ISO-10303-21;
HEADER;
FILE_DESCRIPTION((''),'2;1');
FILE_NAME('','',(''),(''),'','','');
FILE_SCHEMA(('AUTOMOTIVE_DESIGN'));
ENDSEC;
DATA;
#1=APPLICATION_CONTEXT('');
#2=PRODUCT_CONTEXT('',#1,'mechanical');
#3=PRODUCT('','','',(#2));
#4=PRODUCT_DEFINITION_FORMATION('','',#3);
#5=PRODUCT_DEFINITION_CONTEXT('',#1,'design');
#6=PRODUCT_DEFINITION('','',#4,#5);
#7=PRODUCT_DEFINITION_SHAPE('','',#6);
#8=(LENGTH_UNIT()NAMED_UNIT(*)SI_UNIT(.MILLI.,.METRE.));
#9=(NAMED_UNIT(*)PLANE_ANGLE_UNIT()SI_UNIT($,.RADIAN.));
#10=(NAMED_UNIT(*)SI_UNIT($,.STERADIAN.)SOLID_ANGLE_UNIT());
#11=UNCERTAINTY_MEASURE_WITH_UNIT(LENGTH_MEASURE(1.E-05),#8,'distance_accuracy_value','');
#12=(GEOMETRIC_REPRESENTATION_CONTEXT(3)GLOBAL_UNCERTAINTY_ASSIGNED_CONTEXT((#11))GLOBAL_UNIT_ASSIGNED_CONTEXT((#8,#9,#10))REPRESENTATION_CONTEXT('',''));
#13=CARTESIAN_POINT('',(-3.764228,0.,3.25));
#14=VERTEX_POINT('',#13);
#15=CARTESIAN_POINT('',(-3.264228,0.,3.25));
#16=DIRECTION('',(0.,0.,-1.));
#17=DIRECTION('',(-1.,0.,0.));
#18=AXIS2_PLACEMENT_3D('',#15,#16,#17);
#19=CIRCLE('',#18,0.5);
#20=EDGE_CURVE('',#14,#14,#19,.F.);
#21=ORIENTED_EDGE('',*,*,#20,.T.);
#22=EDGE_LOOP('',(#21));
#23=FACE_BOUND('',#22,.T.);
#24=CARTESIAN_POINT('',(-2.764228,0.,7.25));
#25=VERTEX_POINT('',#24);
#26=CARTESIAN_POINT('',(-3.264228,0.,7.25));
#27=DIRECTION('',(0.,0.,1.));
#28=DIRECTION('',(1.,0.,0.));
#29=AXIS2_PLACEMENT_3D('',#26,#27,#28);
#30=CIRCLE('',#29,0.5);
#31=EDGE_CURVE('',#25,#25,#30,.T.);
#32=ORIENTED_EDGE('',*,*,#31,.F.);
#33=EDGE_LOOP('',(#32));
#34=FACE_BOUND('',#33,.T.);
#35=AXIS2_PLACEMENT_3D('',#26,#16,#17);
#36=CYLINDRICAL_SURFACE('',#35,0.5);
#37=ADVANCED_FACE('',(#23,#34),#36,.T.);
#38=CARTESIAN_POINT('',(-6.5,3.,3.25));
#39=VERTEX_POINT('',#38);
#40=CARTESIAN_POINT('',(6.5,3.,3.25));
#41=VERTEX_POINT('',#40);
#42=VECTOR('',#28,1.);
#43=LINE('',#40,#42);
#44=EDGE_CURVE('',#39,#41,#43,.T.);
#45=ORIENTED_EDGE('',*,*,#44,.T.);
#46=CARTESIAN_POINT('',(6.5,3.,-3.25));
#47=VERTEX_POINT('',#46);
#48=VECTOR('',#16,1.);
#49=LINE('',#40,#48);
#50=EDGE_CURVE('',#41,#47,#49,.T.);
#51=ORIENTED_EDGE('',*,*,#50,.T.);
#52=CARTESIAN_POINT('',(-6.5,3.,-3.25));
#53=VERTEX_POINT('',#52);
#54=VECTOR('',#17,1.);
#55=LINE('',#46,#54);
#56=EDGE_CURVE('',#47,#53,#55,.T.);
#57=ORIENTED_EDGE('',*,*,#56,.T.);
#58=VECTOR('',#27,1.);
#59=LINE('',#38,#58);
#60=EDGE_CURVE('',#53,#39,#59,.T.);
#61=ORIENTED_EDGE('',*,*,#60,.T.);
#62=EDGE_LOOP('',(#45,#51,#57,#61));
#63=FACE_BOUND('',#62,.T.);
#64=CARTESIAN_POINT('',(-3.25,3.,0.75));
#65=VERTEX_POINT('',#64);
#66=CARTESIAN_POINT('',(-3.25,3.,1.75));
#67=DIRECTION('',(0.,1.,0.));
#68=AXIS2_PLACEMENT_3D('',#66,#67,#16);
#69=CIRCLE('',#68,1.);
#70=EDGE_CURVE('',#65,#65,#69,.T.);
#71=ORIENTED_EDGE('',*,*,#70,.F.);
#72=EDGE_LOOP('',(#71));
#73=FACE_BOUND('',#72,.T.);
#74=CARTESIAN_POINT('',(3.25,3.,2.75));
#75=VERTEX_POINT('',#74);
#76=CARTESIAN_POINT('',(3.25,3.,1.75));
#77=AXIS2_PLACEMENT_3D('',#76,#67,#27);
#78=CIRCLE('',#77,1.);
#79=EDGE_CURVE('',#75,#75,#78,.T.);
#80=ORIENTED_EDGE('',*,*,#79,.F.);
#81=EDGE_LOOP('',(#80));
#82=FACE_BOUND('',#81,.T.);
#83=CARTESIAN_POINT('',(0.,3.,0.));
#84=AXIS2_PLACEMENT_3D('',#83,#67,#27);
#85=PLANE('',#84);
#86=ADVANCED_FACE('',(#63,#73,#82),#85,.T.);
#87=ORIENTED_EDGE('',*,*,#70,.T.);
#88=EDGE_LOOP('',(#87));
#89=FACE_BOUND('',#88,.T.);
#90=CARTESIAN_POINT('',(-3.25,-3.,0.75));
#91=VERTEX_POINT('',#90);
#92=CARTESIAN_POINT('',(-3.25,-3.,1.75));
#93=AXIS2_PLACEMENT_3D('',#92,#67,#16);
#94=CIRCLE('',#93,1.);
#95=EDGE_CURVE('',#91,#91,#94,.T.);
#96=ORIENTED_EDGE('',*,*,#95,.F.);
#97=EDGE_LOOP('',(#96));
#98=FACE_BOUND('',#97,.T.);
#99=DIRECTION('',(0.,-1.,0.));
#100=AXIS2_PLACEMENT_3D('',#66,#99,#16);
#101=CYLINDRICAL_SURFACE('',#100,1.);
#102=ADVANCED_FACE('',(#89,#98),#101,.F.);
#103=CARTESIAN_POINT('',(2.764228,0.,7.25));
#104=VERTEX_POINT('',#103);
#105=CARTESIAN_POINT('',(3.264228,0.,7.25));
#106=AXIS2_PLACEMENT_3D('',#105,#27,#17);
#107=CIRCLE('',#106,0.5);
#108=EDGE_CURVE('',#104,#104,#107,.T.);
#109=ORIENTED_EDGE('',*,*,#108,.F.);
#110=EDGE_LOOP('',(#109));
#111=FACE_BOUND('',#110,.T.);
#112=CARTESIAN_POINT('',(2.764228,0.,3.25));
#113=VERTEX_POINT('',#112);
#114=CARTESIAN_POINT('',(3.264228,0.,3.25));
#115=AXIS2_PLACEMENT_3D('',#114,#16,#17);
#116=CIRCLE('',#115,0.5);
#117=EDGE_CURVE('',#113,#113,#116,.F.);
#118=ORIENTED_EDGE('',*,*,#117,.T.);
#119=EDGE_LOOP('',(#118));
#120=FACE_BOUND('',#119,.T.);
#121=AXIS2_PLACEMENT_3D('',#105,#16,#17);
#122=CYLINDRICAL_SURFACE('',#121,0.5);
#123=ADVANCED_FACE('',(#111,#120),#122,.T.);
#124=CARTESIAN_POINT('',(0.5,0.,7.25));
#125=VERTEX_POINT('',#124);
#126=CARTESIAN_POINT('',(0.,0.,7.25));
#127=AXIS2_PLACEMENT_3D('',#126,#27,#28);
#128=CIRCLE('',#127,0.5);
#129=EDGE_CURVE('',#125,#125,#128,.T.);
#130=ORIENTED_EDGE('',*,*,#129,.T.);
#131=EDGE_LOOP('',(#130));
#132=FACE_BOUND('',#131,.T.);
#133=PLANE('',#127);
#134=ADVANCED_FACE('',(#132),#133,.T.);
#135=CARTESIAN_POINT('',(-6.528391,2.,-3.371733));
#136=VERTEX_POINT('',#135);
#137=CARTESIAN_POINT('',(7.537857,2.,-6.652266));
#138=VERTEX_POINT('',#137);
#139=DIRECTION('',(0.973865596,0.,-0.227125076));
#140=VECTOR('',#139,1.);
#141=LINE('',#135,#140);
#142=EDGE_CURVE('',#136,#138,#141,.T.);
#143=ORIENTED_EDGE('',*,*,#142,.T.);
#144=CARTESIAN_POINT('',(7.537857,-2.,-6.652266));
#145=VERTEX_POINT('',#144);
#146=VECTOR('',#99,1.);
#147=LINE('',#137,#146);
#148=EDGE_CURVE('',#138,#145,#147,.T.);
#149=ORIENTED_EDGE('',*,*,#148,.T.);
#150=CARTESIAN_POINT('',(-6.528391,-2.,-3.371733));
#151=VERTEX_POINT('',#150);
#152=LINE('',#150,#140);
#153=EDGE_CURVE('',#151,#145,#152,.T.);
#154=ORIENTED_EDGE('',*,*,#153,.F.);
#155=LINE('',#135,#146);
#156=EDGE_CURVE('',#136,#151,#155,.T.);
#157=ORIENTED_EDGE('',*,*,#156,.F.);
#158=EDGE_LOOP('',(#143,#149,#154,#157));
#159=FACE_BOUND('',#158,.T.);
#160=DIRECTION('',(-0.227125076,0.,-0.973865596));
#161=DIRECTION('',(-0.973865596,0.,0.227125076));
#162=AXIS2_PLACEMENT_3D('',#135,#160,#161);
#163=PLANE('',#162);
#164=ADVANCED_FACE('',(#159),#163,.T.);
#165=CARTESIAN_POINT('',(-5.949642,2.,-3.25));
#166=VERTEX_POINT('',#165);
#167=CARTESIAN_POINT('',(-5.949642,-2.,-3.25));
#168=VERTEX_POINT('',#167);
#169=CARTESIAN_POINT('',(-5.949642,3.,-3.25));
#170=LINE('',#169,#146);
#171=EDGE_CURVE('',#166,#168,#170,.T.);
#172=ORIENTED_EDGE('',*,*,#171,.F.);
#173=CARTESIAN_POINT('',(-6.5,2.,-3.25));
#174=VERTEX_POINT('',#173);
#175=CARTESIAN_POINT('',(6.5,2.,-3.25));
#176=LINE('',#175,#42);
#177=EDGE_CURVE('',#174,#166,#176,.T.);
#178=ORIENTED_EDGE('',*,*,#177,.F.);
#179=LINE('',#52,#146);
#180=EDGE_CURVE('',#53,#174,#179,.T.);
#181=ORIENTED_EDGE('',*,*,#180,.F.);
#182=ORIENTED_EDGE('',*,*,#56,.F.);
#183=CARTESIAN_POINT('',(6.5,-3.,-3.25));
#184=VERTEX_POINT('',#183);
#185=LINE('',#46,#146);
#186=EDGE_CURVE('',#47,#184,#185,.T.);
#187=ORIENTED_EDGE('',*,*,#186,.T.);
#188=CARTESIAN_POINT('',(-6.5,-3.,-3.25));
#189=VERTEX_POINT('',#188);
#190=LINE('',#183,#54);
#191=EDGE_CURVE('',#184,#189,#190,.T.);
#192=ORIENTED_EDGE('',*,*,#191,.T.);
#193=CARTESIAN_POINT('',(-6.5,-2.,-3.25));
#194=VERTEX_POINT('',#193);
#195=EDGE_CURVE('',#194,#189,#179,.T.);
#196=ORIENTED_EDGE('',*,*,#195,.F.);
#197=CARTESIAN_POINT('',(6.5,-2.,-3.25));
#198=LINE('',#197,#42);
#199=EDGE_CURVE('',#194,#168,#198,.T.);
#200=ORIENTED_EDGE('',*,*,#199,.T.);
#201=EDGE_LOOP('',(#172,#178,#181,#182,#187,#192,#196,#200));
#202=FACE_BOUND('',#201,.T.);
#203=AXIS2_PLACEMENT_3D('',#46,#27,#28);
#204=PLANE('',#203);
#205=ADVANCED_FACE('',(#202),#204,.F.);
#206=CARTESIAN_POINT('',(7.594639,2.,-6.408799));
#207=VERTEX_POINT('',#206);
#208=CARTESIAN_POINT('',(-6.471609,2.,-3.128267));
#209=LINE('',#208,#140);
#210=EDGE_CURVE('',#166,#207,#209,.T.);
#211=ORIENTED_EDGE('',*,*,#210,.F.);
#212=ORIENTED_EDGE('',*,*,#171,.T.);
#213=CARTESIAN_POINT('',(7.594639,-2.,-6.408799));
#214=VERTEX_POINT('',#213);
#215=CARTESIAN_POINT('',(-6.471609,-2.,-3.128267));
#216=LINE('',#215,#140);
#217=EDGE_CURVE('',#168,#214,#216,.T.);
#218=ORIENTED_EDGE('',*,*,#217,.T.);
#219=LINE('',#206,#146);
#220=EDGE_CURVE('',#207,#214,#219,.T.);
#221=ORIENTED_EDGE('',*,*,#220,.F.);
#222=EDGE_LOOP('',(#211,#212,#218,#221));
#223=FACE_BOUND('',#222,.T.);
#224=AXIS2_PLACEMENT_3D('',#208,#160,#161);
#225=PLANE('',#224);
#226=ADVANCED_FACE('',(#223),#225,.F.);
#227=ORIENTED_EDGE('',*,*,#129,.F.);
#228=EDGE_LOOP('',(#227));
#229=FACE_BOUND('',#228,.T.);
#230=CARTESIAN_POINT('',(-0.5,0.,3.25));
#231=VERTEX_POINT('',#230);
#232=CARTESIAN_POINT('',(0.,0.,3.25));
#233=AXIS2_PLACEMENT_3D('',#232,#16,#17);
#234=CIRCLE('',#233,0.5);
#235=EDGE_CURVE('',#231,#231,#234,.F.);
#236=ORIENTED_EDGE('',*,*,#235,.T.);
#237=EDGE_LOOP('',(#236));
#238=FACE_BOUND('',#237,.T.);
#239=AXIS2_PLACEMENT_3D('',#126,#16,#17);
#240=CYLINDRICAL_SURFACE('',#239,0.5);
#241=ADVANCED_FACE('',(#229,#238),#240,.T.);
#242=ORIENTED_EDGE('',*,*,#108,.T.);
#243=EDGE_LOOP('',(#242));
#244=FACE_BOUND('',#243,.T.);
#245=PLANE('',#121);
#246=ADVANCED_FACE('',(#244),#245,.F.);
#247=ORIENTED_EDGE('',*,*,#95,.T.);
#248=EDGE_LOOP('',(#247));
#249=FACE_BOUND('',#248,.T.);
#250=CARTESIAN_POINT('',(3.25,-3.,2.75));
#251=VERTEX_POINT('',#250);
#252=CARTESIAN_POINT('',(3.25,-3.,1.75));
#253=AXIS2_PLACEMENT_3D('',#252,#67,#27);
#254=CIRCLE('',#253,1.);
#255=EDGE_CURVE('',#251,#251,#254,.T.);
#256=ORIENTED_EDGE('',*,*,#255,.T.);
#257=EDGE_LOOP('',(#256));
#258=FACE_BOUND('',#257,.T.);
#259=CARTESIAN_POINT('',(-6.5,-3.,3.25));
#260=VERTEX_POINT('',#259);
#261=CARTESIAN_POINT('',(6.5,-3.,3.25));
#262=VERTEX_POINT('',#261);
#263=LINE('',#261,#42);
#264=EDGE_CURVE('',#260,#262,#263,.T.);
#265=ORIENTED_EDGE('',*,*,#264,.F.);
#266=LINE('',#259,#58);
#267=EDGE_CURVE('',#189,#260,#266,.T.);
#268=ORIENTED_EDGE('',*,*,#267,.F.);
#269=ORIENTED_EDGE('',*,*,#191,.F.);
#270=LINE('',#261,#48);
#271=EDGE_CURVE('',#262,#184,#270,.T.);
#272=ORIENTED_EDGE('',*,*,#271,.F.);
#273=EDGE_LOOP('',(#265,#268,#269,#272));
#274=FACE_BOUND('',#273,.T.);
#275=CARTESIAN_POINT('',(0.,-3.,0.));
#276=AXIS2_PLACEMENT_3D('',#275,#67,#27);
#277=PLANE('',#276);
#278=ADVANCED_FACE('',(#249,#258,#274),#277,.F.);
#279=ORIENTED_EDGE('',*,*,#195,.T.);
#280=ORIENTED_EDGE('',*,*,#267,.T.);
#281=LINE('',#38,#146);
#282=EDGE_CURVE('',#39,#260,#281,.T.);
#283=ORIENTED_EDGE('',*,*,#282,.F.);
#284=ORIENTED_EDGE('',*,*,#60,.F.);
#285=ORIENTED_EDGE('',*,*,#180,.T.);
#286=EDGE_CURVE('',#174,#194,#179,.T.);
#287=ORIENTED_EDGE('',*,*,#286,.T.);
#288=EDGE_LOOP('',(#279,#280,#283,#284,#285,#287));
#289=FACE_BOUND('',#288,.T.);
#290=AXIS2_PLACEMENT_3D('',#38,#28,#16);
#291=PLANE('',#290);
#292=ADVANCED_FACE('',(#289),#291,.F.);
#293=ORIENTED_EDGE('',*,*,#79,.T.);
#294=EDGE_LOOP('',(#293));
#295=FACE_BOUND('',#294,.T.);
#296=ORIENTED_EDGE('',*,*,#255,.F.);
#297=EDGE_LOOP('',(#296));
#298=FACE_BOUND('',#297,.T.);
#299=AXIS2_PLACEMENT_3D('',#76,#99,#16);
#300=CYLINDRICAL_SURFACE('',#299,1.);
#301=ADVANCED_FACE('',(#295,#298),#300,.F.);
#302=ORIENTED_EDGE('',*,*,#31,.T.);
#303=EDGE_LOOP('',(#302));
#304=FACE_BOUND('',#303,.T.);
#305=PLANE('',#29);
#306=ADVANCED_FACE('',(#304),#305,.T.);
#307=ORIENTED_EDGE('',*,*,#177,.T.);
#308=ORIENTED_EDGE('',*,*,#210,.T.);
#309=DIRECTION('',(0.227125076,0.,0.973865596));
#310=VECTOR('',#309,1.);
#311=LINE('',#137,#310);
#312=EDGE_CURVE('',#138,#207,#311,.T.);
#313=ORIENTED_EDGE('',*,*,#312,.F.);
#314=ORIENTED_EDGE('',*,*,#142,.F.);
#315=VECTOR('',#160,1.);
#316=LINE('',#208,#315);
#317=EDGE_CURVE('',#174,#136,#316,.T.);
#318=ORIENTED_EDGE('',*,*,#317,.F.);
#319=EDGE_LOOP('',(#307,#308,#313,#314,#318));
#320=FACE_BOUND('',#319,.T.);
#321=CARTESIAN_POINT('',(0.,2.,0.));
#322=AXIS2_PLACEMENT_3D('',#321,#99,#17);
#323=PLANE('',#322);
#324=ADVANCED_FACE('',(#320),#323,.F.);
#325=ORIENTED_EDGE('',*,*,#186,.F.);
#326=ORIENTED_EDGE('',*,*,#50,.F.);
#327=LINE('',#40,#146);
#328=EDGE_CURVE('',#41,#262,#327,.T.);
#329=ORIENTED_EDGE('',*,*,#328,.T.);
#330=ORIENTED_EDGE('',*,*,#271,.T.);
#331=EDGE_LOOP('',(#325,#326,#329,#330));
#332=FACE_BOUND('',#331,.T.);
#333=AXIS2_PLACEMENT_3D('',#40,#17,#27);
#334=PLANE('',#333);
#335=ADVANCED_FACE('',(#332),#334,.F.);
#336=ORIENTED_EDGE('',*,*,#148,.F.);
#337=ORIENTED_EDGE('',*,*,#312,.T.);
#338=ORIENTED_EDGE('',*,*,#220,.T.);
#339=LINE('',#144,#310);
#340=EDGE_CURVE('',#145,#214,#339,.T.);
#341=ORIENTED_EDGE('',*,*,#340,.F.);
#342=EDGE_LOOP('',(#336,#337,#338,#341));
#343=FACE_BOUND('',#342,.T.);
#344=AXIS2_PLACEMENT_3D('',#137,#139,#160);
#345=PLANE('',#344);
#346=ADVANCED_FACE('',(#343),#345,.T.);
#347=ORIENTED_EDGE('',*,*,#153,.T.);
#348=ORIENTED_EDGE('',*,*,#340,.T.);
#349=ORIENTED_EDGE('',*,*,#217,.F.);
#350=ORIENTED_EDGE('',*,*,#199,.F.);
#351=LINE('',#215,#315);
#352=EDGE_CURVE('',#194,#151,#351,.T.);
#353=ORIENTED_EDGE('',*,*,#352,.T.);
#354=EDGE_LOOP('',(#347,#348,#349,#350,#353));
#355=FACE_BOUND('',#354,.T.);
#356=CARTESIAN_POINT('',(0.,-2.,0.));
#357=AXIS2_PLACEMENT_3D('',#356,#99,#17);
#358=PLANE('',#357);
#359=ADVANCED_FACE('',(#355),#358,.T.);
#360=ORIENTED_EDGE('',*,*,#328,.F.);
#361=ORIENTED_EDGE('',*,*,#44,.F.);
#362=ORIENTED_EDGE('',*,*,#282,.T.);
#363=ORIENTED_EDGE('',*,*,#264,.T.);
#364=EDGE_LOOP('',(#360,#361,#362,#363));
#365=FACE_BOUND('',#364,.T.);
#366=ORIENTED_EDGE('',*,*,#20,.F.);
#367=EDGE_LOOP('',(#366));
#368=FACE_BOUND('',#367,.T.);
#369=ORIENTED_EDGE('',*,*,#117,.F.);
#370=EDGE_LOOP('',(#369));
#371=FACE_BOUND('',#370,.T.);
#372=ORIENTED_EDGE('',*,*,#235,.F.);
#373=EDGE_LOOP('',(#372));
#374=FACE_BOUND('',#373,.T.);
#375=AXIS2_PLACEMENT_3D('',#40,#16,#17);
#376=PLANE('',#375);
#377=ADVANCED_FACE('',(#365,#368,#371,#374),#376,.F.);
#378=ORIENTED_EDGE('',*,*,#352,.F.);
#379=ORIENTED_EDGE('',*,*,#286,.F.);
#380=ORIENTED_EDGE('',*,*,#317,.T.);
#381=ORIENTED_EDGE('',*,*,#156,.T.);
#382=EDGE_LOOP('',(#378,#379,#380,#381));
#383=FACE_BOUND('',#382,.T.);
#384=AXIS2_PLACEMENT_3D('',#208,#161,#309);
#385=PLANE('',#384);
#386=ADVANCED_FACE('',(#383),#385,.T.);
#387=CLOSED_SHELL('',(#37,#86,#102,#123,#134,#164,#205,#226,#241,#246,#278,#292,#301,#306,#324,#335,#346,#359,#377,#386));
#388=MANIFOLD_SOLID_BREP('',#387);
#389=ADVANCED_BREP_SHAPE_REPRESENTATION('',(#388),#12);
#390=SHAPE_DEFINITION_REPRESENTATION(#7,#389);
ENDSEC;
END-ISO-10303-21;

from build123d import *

# Parameters (mm, degrees)
SKETCH_1_W        = 13
SKETCH_1_H        = 6.5
SKETCH_1_R        = 1
EXTRUDE_1_DEPTH   = 3
SKETCH_2_R        = 0.5
EXTRUDE_2_DEPTH   = 4
EXTRUDE_1_2_DEPTH = 2


with BuildPart() as part:
    # Эскиз1 → Extrude 1 (new, symmetric)
    with BuildSketch(Plane(origin=(0, 0, 0), x_dir=(1, 0, 0), z_dir=(0, 1, 0))):
        Rectangle(SKETCH_1_W, SKETCH_1_H)
        with Locations(Location((3.25, -1.75, 0), (0, 0, 270))):
            Circle(SKETCH_1_R, mode=Mode.SUBTRACT)
        with Locations(Location((-3.25, -1.75, 0), (0, 0, 90))):
            Circle(SKETCH_1_R, mode=Mode.SUBTRACT)
    extrude(amount=EXTRUDE_1_DEPTH, both=True)

    # Эскиз2 → Бобышка-Вытянуть2 (add)
    with BuildSketch(Plane.XY.offset(3.25)):
        with Locations(Location((-3.264227948, 0, 0), (0, 0, 180))):
            Circle(SKETCH_2_R)
        with Locations(Location((0, 0, 0), (0, 0, 180))):
            Circle(SKETCH_2_R)
        with Locations(Location((3.264227948, 0, 0), (0, 0, 180))):
            Circle(SKETCH_2_R)
    extrude(amount=EXTRUDE_2_DEPTH)

    # Эскиз3 → Extrude 1 2 (add, symmetric)
    with BuildSketch(Plane(origin=(0, 0, 0), x_dir=(1, 0, 0), z_dir=(0, 1, 0))):
        Polygon((-6.471609365, 3.1282668), (7.594638597, 6.4087992), (7.537857328, 6.6522656), (-6.528390635, 3.3717332), align=None)
    extrude(amount=EXTRUDE_1_2_DEPTH, both=True)


solid = part.part
